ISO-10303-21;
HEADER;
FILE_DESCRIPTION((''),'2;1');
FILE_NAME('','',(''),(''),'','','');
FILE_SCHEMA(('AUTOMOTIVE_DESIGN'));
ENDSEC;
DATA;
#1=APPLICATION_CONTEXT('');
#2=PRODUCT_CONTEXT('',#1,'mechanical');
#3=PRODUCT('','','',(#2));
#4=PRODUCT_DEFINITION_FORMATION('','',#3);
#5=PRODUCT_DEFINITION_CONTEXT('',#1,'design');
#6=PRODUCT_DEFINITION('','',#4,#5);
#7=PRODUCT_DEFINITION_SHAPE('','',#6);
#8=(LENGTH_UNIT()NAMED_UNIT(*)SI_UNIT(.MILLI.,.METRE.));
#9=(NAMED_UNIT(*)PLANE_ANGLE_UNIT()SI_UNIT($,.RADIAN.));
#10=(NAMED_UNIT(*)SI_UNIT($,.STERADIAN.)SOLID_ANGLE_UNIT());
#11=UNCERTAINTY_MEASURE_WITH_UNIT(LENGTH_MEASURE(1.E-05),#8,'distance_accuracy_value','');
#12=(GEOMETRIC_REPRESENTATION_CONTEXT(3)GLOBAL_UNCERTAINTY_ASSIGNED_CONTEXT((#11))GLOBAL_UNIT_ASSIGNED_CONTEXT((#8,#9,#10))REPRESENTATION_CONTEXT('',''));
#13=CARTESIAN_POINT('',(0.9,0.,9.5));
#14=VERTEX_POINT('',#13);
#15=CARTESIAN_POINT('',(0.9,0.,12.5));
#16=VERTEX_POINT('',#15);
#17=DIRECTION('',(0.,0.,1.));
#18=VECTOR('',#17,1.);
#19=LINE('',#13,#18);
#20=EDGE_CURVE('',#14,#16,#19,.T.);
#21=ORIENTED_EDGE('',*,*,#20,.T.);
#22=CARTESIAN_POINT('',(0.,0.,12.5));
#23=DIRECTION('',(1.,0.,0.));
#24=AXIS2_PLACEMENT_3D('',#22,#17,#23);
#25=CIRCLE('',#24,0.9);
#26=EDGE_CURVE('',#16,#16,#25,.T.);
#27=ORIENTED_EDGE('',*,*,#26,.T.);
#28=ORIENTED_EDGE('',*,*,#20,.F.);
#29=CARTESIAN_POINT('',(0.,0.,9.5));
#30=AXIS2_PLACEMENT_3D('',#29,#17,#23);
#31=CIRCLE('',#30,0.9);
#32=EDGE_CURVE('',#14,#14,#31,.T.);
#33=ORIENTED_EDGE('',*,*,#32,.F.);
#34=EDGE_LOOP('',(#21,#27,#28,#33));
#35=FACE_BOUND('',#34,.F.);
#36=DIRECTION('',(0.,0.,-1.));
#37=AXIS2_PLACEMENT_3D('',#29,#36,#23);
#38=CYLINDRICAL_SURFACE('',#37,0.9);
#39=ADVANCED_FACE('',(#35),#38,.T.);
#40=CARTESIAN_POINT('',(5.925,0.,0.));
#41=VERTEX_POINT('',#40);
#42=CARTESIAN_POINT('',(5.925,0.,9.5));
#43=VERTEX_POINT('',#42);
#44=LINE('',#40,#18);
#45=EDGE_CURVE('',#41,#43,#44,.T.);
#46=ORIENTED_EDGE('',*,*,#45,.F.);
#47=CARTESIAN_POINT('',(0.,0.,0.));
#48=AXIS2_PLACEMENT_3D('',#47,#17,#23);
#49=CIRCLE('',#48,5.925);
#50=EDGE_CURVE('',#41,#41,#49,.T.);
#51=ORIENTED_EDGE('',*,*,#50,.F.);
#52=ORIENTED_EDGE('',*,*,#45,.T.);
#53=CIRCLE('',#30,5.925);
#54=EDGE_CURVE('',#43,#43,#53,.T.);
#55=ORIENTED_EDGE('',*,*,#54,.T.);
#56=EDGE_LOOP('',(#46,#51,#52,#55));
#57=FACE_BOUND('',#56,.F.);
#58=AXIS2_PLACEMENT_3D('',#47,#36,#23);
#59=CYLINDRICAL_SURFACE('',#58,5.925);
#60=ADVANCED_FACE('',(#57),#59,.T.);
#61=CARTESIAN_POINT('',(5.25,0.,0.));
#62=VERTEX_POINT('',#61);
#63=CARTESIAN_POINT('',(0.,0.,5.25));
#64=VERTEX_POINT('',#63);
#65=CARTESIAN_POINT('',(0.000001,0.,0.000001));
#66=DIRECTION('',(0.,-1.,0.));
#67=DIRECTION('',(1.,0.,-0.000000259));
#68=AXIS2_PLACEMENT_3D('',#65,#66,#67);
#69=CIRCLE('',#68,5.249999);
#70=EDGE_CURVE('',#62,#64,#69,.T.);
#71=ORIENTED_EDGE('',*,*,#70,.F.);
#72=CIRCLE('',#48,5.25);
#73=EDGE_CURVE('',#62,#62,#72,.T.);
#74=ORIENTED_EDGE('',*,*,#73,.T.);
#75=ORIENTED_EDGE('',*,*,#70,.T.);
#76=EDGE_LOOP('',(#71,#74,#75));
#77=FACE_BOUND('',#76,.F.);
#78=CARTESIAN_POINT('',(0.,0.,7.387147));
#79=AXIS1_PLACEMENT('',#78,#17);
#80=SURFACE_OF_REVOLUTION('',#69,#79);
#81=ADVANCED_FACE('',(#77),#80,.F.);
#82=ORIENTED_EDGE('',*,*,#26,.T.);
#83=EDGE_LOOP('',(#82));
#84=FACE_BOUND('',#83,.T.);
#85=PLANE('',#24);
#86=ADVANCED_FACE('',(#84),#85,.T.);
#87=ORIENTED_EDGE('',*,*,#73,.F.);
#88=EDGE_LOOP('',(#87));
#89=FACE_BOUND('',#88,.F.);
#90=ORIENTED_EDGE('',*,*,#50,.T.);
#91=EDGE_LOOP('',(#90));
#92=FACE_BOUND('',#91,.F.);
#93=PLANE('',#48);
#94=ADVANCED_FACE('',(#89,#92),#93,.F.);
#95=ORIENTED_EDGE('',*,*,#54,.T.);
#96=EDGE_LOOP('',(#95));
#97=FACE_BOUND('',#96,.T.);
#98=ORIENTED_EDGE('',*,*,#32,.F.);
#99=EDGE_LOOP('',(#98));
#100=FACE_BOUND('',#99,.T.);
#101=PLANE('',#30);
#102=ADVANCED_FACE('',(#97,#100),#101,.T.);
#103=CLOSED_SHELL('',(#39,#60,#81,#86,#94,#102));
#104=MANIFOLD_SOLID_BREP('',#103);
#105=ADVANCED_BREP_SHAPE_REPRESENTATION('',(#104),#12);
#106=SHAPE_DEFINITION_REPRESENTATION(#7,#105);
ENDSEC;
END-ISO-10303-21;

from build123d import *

# Parameters (mm, degrees)
F0_R     = 5.925
F1_DEPTH = 9.5
F2_R     = 0.9
F3_DEPTH = 3


with BuildPart() as f1:
    # F0 (on Top) → F1 (new body)
    with BuildSketch(Plane.XY):
        Circle(F0_R)
    extrude(amount=F1_DEPTH)

    # F2 (on face) → F3 (join)
    with BuildSketch(Plane.XY.offset(9.5)):
        Circle(F2_R)
    extrude(amount=F3_DEPTH)

    # F4 (on Front) → F5 (revolve, cut)
    with BuildSketch(Plane.XZ):
        with BuildLine():
            Line((0, 0), (5.25, 0))
            ThreePointArc((5.25, 0), (3.712311, 3.712311), (0, 5.25))
            Line((0, 5.25), (0, 0))
        make_face()
    revolve(axis=Axis((0, 0, 7.387147), (0, 0, 1)), mode=Mode.SUBTRACT)


solid = f1.part
